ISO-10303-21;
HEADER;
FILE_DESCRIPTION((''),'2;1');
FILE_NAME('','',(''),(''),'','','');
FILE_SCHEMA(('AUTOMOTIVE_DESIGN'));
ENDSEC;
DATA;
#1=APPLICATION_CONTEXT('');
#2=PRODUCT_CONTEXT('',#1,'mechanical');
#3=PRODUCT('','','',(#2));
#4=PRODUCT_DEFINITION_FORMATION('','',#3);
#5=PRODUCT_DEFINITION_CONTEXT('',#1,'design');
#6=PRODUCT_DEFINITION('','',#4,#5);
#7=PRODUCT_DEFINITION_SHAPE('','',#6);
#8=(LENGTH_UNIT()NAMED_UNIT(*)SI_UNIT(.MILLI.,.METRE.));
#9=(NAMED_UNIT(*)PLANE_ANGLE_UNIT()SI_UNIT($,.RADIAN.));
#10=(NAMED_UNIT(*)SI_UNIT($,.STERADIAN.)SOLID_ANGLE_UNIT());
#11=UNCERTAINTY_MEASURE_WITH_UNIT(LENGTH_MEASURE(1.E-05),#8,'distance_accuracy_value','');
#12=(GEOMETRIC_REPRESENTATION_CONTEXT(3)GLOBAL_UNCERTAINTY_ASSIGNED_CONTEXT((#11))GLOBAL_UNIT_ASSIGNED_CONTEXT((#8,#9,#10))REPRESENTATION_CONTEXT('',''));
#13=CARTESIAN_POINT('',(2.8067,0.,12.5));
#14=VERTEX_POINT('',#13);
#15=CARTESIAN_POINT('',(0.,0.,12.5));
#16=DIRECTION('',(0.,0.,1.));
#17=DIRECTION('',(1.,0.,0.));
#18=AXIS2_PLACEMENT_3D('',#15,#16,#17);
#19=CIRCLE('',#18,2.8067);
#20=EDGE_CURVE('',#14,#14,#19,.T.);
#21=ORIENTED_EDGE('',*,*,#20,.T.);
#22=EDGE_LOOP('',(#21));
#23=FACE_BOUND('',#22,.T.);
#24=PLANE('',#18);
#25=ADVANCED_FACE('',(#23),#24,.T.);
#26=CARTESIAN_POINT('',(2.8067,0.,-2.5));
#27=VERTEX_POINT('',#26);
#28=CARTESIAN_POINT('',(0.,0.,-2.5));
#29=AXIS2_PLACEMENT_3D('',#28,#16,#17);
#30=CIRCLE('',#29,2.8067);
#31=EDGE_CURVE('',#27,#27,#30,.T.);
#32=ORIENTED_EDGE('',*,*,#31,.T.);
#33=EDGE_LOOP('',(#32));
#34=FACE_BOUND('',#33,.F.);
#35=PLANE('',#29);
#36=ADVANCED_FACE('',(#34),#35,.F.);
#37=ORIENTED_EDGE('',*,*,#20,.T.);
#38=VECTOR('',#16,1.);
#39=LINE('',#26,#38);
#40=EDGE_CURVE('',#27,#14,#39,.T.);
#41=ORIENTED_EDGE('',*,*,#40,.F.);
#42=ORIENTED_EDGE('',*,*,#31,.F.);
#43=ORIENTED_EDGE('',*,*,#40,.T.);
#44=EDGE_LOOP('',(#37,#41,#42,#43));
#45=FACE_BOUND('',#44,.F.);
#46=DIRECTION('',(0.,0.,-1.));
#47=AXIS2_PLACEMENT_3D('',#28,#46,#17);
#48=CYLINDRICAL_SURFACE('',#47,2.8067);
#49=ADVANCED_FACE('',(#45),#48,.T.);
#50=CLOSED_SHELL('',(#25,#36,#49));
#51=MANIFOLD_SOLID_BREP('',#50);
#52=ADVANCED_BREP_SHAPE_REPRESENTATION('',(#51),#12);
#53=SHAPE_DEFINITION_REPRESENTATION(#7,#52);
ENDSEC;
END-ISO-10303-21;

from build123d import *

# Parameters (mm, degrees)
CYLINDER_R     = 2.8067
CYLINDER_DEPTH = 15


with BuildPart() as part:
    # Cylinder → Cylinder (new body)
    with BuildSketch(Plane.XY.offset(-2.5)):
        Circle(CYLINDER_R)
    extrude(amount=CYLINDER_DEPTH)


solid = part.part
